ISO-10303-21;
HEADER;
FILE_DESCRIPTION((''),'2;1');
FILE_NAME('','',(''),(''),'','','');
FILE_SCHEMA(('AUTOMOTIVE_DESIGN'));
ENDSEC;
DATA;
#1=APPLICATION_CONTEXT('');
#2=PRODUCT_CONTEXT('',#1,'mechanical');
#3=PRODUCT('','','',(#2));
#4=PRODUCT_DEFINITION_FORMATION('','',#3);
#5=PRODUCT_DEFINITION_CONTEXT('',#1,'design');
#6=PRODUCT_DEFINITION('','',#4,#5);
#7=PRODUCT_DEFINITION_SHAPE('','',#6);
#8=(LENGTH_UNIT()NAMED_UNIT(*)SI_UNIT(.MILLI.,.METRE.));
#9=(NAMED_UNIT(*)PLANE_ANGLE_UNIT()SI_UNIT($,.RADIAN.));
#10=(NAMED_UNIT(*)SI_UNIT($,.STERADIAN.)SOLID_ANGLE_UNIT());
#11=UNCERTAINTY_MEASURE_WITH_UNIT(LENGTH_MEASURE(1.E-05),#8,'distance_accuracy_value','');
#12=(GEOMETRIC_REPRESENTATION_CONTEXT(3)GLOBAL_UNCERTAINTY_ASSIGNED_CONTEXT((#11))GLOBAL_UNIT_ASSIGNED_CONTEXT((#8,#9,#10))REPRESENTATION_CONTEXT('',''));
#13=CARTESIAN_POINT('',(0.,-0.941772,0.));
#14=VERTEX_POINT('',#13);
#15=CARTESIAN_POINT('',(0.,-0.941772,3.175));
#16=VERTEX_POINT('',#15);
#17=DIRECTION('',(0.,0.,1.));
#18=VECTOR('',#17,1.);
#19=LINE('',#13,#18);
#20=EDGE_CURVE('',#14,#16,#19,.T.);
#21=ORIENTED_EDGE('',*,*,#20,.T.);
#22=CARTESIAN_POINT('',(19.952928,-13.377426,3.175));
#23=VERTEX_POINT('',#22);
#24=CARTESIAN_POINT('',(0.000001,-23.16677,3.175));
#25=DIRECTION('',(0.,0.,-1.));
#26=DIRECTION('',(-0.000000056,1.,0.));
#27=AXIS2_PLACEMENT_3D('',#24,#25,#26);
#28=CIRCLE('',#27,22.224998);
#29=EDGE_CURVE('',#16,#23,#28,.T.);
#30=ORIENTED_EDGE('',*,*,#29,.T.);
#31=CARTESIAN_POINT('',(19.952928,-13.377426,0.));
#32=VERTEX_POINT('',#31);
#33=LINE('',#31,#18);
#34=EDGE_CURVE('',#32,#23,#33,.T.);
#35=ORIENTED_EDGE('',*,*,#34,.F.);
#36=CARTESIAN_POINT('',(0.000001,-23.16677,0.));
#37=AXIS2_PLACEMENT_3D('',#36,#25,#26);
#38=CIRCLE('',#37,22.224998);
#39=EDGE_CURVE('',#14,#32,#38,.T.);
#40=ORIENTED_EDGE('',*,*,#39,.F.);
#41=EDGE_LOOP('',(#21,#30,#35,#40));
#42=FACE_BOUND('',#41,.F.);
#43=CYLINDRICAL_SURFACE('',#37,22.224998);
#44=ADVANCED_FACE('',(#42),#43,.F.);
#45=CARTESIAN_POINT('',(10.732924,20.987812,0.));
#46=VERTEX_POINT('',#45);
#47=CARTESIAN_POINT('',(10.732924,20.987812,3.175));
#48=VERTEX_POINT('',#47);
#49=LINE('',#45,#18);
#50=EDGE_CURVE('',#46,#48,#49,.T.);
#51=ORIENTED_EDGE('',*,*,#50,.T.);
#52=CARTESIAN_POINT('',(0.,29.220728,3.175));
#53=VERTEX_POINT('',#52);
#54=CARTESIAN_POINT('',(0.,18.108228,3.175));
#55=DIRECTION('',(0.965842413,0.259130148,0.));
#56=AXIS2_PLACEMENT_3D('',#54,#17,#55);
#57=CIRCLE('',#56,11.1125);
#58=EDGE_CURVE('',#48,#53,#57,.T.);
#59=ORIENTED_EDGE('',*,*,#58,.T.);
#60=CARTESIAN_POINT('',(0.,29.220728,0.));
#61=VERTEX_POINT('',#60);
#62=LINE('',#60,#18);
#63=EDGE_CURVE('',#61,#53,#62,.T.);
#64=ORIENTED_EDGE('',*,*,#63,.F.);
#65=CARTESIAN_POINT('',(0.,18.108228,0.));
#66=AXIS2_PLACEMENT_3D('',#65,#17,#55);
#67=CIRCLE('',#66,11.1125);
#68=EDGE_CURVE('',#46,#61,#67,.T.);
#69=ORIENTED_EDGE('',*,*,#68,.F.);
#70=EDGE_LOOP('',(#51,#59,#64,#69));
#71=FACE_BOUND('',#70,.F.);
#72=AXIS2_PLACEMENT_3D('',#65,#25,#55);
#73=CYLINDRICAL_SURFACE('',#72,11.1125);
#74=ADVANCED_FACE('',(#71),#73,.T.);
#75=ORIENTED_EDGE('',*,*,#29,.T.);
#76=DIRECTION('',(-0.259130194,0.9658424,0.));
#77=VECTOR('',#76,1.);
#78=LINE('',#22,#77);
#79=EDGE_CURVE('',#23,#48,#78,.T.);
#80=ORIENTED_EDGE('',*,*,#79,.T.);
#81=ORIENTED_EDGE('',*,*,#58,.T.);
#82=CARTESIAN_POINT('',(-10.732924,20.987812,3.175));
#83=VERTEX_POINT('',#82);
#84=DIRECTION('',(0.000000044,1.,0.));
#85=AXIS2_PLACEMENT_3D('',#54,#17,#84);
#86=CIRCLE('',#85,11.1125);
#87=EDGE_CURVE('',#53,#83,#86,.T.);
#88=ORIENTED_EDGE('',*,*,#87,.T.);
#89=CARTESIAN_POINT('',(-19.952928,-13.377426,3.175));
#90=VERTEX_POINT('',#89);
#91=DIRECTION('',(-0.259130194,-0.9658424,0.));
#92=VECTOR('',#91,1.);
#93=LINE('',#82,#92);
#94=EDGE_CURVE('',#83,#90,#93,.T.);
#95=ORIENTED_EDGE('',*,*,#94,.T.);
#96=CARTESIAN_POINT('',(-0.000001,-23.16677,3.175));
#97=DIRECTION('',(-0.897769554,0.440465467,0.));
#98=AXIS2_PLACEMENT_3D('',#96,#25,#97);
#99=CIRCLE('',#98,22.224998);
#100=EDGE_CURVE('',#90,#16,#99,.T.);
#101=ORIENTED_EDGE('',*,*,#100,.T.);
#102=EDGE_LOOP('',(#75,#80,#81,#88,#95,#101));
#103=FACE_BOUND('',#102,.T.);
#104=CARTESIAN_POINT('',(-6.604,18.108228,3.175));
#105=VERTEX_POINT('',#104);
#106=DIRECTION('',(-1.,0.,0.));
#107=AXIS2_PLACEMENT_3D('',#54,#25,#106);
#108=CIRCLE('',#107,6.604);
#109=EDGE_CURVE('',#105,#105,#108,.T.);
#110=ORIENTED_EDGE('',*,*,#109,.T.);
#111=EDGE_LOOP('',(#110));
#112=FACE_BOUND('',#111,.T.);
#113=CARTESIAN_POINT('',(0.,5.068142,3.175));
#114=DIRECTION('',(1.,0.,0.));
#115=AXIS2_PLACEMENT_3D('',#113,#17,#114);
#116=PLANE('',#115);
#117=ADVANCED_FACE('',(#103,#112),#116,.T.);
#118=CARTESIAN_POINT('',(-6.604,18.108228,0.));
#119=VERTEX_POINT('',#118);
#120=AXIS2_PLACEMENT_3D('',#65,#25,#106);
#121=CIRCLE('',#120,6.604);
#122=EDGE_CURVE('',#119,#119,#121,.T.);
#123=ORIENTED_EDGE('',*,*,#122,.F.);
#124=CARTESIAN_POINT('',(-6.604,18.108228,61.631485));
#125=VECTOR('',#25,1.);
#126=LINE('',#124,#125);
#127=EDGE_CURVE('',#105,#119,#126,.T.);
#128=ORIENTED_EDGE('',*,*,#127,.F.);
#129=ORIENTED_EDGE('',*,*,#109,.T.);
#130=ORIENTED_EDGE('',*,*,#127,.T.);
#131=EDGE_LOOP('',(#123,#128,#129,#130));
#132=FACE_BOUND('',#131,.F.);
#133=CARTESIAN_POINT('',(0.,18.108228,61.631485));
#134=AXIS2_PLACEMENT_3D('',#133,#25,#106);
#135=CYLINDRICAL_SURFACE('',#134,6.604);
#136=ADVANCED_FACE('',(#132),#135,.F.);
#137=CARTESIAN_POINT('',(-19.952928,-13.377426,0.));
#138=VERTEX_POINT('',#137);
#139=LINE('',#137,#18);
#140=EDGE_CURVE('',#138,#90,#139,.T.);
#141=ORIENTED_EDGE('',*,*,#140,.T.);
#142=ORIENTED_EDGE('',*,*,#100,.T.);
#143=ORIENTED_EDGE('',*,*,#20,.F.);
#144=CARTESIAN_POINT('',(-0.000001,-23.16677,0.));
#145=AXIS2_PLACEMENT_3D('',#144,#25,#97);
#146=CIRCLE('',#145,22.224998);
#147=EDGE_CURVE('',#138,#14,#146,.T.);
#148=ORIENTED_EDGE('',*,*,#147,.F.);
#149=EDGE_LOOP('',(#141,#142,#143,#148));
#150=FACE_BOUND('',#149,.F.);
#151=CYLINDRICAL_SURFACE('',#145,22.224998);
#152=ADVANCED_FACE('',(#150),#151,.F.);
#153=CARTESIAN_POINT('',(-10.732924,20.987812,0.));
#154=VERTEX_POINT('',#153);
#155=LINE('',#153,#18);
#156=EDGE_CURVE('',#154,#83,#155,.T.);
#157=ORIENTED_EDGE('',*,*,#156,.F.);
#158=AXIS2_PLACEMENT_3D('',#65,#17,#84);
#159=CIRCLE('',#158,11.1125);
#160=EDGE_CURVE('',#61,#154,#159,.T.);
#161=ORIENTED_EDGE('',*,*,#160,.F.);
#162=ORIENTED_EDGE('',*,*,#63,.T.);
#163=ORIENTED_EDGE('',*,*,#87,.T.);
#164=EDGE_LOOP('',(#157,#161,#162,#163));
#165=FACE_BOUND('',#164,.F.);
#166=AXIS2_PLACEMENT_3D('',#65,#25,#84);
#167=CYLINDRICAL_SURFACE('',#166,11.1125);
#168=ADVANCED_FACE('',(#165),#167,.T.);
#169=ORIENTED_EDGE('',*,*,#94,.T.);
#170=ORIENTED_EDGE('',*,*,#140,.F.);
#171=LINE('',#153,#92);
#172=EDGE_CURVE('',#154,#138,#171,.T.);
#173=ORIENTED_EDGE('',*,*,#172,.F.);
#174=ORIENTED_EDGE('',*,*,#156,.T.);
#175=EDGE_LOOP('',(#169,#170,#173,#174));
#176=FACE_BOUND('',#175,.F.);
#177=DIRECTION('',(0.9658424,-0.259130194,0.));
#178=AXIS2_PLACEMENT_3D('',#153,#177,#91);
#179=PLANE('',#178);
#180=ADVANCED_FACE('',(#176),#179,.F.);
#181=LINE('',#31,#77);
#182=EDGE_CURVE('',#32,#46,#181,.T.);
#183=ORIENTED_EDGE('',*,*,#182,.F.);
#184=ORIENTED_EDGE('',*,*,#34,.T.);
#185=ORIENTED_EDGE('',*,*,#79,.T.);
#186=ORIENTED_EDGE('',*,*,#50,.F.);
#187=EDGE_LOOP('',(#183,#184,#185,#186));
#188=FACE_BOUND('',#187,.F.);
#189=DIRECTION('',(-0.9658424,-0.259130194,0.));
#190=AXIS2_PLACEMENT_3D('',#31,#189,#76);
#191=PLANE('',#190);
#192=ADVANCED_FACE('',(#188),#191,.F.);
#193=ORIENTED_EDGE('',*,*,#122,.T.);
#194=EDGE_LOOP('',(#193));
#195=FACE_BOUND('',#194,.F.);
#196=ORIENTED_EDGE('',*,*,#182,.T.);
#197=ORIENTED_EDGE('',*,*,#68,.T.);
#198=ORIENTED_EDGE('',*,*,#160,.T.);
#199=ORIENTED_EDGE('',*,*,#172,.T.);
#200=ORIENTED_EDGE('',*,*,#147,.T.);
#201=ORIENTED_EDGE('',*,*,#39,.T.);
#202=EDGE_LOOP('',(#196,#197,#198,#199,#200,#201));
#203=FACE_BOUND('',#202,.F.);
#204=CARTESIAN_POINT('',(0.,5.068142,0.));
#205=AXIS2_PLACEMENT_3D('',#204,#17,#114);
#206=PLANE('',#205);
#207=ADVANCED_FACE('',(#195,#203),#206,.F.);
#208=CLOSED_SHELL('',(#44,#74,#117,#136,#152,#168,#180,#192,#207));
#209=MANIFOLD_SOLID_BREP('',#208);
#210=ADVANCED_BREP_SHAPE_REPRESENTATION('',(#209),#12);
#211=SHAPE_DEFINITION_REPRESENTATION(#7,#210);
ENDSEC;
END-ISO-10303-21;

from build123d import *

# Parameters (mm, degrees)
F1_DEPTH = 3.175
F3_D     = 13.208


with BuildPart() as f1:
    # F0 (on Top) → F1 (new body)
    with BuildSketch(Plane.XY):
        with BuildLine():
            ThreePointArc((10.732924, 20.987812), (6.763441, 26.925457), (0, 29.220728))
            ThreePointArc((0, 29.220728), (-6.763441, 26.925457), (-10.732924, 20.987812))
            Line((-10.732924, 20.987812), (-19.952928, -13.377426))
            ThreePointArc((-19.952928, -13.377426), (-11.755476, -4.305186), (0, -0.941772))
            ThreePointArc((0, -0.941772), (11.755476, -4.305186), (19.952928, -13.377426))
            Line((19.952928, -13.377426), (10.732924, 20.987812))
        make_face()
    extrude(amount=F1_DEPTH)

    # F3 (through all)
    with Locations(Plane.XY.offset(3.175)):
        with Locations((0, 18.108228)):
            Hole(F3_D / 2)


solid = f1.part
